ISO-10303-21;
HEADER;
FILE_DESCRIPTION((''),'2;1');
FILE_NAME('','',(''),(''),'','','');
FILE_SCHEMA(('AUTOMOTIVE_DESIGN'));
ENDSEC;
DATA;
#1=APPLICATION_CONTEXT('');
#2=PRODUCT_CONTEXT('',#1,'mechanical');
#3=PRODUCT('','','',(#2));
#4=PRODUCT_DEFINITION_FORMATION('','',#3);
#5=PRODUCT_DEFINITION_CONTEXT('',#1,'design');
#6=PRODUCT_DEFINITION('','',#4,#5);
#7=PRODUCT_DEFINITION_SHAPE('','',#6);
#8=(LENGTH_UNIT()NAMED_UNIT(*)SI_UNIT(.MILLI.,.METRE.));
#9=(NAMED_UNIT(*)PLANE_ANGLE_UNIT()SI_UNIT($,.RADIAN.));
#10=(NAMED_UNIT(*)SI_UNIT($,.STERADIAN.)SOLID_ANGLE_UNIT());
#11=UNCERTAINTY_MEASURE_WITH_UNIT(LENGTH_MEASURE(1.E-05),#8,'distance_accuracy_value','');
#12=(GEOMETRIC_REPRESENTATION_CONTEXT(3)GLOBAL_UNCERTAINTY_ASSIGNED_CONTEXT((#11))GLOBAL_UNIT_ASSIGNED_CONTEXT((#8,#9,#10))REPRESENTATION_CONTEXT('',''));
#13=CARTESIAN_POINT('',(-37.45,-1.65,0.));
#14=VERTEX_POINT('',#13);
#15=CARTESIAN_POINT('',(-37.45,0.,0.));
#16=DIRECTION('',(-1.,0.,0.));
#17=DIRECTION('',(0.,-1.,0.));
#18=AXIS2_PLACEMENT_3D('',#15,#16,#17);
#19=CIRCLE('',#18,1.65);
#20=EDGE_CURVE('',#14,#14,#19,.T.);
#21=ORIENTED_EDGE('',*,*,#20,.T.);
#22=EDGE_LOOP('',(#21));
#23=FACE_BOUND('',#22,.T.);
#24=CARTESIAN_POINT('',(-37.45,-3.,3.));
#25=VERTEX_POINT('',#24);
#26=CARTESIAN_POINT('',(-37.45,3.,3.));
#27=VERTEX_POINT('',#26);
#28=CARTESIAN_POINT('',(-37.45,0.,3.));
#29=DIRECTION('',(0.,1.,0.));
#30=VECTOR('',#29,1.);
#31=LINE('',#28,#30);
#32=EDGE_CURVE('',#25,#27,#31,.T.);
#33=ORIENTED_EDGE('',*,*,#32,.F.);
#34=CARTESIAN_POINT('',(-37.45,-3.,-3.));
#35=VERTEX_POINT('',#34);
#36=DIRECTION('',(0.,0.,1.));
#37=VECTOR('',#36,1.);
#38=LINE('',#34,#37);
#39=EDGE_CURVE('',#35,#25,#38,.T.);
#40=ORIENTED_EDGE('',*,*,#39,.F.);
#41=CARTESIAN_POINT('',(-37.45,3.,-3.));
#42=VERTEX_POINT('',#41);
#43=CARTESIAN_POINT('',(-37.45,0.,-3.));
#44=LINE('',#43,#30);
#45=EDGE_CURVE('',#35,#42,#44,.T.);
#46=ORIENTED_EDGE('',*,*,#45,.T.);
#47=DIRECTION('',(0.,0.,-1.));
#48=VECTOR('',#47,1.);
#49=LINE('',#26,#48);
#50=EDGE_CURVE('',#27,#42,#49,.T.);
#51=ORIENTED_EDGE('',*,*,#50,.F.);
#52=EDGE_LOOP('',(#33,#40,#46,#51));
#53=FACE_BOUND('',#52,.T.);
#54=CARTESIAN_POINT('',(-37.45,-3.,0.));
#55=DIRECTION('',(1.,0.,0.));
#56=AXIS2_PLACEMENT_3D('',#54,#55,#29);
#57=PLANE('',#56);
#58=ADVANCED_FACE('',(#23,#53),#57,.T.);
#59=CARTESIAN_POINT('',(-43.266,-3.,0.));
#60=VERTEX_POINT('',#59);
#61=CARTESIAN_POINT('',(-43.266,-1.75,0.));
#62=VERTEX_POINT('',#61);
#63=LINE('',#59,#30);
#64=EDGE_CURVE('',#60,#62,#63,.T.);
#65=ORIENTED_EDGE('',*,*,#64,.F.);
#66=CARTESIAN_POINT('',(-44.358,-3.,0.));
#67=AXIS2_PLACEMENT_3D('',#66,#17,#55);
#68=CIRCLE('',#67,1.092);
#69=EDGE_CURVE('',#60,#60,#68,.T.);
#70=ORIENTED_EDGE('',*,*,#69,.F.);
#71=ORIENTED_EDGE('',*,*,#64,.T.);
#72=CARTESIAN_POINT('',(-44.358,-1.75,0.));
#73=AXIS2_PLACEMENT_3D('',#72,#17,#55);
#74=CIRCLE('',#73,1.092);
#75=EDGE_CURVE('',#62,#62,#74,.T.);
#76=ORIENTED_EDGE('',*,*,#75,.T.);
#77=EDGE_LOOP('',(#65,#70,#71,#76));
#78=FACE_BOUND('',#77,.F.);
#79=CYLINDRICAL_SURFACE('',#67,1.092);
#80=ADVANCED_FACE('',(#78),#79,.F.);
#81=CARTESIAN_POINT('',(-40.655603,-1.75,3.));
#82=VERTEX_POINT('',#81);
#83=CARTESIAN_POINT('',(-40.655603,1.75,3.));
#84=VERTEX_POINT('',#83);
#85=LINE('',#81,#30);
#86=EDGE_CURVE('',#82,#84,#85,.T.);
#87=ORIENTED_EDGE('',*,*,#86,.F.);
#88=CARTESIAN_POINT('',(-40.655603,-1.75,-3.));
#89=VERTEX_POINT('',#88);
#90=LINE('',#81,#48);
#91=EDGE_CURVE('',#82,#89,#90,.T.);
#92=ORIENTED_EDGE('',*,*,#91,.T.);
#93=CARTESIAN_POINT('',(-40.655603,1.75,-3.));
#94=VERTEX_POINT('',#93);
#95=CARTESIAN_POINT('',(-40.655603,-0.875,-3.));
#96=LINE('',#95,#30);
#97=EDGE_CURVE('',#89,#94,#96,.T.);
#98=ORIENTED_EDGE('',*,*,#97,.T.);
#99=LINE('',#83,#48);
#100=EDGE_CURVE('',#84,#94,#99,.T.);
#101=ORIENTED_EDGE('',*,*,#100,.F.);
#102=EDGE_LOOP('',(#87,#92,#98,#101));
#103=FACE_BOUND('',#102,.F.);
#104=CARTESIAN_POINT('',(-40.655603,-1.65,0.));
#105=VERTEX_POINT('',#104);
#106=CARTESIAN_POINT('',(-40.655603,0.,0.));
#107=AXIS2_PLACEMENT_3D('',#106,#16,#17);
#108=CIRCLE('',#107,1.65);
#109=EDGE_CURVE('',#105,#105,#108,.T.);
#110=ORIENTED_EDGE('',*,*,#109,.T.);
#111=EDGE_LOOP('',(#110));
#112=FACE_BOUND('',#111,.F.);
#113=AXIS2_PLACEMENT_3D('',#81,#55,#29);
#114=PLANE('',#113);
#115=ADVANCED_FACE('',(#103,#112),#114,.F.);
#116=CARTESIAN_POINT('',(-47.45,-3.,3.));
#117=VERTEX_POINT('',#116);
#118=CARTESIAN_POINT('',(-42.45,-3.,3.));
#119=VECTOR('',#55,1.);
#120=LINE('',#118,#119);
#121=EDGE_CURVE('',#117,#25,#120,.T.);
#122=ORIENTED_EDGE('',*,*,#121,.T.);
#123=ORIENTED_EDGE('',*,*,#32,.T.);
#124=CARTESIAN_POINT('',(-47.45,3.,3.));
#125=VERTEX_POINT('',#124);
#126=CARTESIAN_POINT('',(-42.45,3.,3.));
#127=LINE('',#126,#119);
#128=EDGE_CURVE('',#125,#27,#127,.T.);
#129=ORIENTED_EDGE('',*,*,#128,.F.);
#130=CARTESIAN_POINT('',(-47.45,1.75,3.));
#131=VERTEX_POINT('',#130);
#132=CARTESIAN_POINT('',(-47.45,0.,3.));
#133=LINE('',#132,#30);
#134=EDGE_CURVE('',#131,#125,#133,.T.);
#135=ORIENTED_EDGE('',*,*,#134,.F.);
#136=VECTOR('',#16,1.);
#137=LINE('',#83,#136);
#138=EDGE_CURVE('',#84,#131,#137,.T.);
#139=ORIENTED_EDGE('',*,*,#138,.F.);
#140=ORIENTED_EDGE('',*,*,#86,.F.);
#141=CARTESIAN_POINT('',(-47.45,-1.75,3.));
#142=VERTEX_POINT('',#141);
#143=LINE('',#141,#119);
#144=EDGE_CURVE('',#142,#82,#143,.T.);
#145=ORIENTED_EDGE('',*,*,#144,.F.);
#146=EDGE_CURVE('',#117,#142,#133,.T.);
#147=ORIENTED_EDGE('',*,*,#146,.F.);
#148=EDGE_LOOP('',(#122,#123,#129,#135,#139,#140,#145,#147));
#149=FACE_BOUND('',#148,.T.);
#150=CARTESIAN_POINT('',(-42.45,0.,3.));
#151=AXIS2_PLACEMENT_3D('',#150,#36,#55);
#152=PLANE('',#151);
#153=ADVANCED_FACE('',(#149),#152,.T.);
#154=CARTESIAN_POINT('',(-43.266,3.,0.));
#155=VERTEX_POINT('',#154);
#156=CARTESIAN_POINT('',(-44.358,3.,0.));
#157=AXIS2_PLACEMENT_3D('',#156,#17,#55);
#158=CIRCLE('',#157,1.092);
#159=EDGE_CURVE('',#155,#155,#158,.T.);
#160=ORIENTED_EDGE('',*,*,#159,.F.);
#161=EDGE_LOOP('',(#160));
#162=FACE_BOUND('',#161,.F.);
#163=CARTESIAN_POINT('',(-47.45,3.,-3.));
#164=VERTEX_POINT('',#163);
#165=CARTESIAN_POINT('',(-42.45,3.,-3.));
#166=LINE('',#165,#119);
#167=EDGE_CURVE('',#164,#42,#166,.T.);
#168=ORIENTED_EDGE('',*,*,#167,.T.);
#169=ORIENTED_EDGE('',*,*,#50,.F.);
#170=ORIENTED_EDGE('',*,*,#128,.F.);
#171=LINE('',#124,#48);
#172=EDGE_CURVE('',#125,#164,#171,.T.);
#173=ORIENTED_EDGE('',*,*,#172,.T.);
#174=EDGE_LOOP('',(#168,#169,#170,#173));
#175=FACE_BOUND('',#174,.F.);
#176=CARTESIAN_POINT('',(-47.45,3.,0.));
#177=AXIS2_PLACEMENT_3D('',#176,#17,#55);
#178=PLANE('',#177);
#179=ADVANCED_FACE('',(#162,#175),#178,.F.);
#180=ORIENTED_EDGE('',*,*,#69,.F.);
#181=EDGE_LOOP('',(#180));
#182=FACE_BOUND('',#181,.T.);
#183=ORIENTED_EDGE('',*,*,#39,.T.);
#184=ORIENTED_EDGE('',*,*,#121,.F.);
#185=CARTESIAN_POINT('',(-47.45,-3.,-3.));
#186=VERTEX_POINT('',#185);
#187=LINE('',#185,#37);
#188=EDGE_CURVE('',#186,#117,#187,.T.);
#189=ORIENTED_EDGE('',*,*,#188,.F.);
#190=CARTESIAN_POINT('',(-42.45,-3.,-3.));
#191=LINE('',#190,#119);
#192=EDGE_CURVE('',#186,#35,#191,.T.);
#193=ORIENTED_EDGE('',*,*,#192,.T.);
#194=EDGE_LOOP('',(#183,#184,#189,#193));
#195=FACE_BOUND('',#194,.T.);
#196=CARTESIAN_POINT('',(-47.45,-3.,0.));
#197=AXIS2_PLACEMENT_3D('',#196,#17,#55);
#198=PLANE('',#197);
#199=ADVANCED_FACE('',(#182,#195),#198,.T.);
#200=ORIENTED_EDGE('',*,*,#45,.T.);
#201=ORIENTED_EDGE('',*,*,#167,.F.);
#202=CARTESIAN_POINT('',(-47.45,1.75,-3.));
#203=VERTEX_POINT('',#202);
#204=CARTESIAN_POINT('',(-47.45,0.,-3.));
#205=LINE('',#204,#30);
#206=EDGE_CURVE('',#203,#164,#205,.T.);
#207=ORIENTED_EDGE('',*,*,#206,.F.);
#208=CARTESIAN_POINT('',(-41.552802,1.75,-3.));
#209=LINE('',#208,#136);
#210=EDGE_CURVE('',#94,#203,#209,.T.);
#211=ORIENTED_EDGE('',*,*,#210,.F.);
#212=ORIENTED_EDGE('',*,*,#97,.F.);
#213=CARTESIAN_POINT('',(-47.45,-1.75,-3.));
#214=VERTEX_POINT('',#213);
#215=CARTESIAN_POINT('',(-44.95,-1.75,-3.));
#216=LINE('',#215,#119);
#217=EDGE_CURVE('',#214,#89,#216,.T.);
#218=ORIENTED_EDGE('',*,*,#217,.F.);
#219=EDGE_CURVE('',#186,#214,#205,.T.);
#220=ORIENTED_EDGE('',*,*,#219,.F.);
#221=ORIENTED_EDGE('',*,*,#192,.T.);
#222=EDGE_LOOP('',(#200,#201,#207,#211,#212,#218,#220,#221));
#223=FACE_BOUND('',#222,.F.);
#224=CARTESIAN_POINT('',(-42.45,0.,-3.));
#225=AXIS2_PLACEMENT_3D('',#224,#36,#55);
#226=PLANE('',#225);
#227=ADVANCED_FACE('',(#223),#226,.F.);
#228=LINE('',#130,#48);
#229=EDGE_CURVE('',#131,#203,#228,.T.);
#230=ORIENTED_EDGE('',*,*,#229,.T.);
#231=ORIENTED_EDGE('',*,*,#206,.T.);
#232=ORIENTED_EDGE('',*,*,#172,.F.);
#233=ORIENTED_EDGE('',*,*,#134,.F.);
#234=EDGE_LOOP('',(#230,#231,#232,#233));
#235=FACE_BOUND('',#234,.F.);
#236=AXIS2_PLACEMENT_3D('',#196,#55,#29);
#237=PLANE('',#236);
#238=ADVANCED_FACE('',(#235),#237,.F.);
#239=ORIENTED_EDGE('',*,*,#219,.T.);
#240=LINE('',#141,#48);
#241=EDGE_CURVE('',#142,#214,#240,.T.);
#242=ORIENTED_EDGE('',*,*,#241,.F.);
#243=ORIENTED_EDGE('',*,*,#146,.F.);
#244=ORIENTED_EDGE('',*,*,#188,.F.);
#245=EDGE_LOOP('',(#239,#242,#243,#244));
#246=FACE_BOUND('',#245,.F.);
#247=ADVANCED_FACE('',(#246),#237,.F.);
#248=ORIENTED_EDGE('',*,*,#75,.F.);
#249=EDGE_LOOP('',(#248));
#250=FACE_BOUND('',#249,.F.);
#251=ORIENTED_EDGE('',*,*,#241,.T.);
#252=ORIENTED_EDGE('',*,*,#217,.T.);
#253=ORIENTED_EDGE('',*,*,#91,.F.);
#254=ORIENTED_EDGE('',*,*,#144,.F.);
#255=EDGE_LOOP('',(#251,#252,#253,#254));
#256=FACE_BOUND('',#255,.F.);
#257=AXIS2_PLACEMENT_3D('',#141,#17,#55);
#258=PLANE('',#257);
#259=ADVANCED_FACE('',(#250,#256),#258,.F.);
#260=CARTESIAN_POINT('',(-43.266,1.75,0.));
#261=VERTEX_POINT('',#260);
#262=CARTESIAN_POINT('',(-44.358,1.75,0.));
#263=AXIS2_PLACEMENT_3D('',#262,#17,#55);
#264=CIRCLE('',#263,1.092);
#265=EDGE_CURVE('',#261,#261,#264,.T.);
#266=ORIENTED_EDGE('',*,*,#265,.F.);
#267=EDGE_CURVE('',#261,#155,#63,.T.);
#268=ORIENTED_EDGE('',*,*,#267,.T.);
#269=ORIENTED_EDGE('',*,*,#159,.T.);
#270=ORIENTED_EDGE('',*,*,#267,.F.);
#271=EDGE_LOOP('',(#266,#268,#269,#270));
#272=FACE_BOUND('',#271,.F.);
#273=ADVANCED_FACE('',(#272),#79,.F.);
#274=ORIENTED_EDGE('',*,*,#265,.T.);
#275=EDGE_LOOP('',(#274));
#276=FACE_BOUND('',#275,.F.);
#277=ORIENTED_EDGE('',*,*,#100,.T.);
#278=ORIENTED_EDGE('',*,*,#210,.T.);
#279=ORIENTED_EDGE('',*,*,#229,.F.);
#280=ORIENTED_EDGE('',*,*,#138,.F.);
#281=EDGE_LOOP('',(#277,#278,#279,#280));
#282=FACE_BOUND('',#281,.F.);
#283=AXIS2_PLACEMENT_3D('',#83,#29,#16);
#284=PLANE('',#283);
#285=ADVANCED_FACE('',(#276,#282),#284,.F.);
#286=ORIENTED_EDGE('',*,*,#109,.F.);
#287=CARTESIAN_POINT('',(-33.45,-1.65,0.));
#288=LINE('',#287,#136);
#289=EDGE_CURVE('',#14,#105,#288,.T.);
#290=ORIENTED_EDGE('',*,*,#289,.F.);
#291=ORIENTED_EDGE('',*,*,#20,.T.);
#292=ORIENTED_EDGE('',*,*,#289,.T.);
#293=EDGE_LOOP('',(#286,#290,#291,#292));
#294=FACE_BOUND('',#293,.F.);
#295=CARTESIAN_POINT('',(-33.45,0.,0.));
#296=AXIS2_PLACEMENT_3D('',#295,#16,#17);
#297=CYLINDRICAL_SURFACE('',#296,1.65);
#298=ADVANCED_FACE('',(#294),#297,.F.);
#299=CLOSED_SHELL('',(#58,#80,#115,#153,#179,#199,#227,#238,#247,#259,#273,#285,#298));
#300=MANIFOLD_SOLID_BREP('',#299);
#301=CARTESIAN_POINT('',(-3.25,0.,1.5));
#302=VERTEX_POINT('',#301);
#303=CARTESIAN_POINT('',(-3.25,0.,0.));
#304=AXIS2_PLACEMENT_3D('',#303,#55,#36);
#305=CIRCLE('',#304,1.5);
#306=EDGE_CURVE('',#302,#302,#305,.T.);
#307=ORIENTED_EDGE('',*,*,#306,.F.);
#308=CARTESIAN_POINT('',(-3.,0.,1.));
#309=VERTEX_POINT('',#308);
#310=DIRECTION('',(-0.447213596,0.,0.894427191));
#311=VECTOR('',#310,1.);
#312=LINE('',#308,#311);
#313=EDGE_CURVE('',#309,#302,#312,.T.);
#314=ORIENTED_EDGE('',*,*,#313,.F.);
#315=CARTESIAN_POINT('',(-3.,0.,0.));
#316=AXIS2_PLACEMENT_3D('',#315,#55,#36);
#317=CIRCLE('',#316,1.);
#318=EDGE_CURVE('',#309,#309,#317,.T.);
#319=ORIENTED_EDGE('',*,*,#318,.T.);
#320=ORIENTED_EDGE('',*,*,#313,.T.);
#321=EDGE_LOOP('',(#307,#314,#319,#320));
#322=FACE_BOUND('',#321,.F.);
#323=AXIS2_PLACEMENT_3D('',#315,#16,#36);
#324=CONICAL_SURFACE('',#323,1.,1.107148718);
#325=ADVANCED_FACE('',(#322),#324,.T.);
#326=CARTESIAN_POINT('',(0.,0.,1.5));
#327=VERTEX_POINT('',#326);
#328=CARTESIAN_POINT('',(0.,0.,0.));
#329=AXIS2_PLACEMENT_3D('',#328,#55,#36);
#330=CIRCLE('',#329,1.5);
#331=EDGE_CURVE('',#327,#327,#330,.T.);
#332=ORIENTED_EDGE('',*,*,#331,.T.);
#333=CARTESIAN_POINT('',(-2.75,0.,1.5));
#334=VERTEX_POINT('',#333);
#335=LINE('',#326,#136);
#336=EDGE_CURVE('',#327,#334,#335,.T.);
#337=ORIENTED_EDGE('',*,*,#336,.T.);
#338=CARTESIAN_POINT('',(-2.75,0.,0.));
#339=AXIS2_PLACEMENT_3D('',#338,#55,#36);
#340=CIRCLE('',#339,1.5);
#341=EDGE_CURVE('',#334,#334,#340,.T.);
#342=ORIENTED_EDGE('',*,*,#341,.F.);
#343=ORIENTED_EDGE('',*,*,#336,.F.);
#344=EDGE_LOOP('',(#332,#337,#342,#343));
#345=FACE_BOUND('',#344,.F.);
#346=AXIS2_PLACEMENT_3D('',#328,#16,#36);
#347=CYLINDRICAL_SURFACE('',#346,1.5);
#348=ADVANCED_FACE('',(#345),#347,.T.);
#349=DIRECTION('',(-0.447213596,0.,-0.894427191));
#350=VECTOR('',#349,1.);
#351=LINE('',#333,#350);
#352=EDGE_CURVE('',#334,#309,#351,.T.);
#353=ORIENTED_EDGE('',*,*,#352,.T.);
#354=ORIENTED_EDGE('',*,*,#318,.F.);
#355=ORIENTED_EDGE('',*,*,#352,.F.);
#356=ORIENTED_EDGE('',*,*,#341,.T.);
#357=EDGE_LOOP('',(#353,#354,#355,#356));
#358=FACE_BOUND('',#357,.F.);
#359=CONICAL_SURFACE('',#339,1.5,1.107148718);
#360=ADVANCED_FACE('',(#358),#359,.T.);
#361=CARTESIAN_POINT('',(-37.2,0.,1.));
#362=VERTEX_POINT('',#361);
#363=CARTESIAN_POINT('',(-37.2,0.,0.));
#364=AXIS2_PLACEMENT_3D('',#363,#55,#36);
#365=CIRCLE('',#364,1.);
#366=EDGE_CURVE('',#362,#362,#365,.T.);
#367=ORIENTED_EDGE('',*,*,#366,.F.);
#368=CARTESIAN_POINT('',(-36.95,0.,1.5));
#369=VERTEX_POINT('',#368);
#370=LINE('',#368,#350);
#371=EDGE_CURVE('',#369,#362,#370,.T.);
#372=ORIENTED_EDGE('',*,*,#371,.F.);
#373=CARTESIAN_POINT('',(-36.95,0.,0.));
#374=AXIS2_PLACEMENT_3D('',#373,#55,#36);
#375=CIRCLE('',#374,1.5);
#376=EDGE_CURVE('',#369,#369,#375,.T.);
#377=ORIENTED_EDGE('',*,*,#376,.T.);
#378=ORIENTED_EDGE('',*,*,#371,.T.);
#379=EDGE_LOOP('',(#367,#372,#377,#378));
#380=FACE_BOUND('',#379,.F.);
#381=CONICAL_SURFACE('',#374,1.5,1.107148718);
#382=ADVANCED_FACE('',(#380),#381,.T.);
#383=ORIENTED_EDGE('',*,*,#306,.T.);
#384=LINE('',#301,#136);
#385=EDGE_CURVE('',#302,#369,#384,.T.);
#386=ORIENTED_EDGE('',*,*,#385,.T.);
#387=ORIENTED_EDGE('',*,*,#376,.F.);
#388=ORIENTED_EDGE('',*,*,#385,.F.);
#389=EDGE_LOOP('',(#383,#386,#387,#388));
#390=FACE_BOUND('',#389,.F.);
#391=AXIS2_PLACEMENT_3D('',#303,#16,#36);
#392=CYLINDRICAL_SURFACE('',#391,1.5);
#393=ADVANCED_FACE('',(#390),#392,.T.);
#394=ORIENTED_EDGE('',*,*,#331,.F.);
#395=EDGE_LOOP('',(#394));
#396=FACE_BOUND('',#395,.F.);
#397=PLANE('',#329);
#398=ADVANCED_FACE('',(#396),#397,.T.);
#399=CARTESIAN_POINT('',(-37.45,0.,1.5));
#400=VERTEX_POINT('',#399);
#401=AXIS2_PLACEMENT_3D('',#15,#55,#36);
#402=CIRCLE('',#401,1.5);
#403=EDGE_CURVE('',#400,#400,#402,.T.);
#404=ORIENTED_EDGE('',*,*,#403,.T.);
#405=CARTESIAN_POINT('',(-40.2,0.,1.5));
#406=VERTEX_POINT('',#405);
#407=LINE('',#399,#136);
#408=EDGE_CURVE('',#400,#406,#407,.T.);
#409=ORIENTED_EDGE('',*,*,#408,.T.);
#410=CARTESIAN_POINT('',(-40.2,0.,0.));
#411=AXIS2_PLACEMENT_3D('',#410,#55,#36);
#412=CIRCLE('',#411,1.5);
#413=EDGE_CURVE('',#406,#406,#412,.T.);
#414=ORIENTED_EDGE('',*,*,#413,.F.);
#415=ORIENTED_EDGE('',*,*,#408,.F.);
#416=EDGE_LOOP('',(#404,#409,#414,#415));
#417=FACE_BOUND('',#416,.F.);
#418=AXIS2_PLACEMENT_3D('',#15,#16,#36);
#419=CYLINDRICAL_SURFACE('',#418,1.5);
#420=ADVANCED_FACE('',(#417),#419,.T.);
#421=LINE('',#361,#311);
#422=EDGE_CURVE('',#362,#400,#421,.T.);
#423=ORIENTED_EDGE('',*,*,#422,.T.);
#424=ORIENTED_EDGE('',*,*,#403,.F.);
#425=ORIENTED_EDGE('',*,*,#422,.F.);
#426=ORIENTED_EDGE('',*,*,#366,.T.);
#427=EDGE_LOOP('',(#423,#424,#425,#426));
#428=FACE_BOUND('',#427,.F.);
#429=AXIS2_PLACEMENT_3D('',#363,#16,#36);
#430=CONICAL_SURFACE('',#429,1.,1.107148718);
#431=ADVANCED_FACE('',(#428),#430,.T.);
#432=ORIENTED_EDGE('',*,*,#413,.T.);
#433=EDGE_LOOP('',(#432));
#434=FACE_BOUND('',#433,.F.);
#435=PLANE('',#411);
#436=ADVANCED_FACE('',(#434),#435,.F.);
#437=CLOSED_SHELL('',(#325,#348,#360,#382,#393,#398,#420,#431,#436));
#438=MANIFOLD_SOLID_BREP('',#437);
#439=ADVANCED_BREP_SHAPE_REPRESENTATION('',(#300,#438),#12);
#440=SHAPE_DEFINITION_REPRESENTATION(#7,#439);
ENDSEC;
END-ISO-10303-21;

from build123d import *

# Parameters (mm, degrees)
F2_W     = 10
F2_H     = 6
F3_DEPTH = 3
F5_D     = 3.3
F5_DEPTH = 4
F5_TIP   = 0.9914200214
F6_R     = 1.092
F7_DEPTH = 6.001
F9_DEPTH = 6.001


with BuildPart() as f1:
    # F0 (on Front) → F1 (revolve)
    with BuildSketch(Plane.XZ):
        Polygon((-37.45, 1.5), (-40.2, 1.5), (-40.2, 0), (0, 0), (0, 1.5), (-2.75, 1.5), (-3, 1), (-3.25, 1.5), (-36.95, 1.5), (-37.2, 1), align=None)
    revolve(axis=Axis((-20.1, 0, 0), (1, 0, 0)))


with BuildPart() as f3:
    # F2 (on Top) → F3 (new body, symmetric)
    with BuildSketch(Plane.XY):
        with Locations((-42.45, 0)):
            Rectangle(F2_W, F2_H)
    extrude(amount=F3_DEPTH, both=True)

    # F5
    with Locations(Plane.YZ.offset(-37.45)):
        with Locations((0, 0)):
            Hole(F5_D / 2, depth=F5_DEPTH)
            with Locations((0, 0, -(F5_DEPTH + F5_TIP / 2))):  # 118° drill point
                Cone(0, F5_D / 2, F5_TIP, mode=Mode.SUBTRACT)

    # F6 (on face) → F7 (cut, through all)
    with BuildSketch(Plane.XZ.offset(3)):
        with Locations((-44.358, 0)):
            Circle(F6_R)
    extrude(amount=-F7_DEPTH, mode=Mode.SUBTRACT)

    # F8 (on face) → F9 (cut, through all)
    with BuildSketch(Plane.XY.offset(3)):
        Polygon((-40.6556032121, 1.75), (-47.45, 1.75), (-47.45, 0), (-47.45, -1.75), (-40.6556032121, -1.75), align=None)
    extrude(amount=-F9_DEPTH, mode=Mode.SUBTRACT)


solid = Compound([f1.part, f3.part])
